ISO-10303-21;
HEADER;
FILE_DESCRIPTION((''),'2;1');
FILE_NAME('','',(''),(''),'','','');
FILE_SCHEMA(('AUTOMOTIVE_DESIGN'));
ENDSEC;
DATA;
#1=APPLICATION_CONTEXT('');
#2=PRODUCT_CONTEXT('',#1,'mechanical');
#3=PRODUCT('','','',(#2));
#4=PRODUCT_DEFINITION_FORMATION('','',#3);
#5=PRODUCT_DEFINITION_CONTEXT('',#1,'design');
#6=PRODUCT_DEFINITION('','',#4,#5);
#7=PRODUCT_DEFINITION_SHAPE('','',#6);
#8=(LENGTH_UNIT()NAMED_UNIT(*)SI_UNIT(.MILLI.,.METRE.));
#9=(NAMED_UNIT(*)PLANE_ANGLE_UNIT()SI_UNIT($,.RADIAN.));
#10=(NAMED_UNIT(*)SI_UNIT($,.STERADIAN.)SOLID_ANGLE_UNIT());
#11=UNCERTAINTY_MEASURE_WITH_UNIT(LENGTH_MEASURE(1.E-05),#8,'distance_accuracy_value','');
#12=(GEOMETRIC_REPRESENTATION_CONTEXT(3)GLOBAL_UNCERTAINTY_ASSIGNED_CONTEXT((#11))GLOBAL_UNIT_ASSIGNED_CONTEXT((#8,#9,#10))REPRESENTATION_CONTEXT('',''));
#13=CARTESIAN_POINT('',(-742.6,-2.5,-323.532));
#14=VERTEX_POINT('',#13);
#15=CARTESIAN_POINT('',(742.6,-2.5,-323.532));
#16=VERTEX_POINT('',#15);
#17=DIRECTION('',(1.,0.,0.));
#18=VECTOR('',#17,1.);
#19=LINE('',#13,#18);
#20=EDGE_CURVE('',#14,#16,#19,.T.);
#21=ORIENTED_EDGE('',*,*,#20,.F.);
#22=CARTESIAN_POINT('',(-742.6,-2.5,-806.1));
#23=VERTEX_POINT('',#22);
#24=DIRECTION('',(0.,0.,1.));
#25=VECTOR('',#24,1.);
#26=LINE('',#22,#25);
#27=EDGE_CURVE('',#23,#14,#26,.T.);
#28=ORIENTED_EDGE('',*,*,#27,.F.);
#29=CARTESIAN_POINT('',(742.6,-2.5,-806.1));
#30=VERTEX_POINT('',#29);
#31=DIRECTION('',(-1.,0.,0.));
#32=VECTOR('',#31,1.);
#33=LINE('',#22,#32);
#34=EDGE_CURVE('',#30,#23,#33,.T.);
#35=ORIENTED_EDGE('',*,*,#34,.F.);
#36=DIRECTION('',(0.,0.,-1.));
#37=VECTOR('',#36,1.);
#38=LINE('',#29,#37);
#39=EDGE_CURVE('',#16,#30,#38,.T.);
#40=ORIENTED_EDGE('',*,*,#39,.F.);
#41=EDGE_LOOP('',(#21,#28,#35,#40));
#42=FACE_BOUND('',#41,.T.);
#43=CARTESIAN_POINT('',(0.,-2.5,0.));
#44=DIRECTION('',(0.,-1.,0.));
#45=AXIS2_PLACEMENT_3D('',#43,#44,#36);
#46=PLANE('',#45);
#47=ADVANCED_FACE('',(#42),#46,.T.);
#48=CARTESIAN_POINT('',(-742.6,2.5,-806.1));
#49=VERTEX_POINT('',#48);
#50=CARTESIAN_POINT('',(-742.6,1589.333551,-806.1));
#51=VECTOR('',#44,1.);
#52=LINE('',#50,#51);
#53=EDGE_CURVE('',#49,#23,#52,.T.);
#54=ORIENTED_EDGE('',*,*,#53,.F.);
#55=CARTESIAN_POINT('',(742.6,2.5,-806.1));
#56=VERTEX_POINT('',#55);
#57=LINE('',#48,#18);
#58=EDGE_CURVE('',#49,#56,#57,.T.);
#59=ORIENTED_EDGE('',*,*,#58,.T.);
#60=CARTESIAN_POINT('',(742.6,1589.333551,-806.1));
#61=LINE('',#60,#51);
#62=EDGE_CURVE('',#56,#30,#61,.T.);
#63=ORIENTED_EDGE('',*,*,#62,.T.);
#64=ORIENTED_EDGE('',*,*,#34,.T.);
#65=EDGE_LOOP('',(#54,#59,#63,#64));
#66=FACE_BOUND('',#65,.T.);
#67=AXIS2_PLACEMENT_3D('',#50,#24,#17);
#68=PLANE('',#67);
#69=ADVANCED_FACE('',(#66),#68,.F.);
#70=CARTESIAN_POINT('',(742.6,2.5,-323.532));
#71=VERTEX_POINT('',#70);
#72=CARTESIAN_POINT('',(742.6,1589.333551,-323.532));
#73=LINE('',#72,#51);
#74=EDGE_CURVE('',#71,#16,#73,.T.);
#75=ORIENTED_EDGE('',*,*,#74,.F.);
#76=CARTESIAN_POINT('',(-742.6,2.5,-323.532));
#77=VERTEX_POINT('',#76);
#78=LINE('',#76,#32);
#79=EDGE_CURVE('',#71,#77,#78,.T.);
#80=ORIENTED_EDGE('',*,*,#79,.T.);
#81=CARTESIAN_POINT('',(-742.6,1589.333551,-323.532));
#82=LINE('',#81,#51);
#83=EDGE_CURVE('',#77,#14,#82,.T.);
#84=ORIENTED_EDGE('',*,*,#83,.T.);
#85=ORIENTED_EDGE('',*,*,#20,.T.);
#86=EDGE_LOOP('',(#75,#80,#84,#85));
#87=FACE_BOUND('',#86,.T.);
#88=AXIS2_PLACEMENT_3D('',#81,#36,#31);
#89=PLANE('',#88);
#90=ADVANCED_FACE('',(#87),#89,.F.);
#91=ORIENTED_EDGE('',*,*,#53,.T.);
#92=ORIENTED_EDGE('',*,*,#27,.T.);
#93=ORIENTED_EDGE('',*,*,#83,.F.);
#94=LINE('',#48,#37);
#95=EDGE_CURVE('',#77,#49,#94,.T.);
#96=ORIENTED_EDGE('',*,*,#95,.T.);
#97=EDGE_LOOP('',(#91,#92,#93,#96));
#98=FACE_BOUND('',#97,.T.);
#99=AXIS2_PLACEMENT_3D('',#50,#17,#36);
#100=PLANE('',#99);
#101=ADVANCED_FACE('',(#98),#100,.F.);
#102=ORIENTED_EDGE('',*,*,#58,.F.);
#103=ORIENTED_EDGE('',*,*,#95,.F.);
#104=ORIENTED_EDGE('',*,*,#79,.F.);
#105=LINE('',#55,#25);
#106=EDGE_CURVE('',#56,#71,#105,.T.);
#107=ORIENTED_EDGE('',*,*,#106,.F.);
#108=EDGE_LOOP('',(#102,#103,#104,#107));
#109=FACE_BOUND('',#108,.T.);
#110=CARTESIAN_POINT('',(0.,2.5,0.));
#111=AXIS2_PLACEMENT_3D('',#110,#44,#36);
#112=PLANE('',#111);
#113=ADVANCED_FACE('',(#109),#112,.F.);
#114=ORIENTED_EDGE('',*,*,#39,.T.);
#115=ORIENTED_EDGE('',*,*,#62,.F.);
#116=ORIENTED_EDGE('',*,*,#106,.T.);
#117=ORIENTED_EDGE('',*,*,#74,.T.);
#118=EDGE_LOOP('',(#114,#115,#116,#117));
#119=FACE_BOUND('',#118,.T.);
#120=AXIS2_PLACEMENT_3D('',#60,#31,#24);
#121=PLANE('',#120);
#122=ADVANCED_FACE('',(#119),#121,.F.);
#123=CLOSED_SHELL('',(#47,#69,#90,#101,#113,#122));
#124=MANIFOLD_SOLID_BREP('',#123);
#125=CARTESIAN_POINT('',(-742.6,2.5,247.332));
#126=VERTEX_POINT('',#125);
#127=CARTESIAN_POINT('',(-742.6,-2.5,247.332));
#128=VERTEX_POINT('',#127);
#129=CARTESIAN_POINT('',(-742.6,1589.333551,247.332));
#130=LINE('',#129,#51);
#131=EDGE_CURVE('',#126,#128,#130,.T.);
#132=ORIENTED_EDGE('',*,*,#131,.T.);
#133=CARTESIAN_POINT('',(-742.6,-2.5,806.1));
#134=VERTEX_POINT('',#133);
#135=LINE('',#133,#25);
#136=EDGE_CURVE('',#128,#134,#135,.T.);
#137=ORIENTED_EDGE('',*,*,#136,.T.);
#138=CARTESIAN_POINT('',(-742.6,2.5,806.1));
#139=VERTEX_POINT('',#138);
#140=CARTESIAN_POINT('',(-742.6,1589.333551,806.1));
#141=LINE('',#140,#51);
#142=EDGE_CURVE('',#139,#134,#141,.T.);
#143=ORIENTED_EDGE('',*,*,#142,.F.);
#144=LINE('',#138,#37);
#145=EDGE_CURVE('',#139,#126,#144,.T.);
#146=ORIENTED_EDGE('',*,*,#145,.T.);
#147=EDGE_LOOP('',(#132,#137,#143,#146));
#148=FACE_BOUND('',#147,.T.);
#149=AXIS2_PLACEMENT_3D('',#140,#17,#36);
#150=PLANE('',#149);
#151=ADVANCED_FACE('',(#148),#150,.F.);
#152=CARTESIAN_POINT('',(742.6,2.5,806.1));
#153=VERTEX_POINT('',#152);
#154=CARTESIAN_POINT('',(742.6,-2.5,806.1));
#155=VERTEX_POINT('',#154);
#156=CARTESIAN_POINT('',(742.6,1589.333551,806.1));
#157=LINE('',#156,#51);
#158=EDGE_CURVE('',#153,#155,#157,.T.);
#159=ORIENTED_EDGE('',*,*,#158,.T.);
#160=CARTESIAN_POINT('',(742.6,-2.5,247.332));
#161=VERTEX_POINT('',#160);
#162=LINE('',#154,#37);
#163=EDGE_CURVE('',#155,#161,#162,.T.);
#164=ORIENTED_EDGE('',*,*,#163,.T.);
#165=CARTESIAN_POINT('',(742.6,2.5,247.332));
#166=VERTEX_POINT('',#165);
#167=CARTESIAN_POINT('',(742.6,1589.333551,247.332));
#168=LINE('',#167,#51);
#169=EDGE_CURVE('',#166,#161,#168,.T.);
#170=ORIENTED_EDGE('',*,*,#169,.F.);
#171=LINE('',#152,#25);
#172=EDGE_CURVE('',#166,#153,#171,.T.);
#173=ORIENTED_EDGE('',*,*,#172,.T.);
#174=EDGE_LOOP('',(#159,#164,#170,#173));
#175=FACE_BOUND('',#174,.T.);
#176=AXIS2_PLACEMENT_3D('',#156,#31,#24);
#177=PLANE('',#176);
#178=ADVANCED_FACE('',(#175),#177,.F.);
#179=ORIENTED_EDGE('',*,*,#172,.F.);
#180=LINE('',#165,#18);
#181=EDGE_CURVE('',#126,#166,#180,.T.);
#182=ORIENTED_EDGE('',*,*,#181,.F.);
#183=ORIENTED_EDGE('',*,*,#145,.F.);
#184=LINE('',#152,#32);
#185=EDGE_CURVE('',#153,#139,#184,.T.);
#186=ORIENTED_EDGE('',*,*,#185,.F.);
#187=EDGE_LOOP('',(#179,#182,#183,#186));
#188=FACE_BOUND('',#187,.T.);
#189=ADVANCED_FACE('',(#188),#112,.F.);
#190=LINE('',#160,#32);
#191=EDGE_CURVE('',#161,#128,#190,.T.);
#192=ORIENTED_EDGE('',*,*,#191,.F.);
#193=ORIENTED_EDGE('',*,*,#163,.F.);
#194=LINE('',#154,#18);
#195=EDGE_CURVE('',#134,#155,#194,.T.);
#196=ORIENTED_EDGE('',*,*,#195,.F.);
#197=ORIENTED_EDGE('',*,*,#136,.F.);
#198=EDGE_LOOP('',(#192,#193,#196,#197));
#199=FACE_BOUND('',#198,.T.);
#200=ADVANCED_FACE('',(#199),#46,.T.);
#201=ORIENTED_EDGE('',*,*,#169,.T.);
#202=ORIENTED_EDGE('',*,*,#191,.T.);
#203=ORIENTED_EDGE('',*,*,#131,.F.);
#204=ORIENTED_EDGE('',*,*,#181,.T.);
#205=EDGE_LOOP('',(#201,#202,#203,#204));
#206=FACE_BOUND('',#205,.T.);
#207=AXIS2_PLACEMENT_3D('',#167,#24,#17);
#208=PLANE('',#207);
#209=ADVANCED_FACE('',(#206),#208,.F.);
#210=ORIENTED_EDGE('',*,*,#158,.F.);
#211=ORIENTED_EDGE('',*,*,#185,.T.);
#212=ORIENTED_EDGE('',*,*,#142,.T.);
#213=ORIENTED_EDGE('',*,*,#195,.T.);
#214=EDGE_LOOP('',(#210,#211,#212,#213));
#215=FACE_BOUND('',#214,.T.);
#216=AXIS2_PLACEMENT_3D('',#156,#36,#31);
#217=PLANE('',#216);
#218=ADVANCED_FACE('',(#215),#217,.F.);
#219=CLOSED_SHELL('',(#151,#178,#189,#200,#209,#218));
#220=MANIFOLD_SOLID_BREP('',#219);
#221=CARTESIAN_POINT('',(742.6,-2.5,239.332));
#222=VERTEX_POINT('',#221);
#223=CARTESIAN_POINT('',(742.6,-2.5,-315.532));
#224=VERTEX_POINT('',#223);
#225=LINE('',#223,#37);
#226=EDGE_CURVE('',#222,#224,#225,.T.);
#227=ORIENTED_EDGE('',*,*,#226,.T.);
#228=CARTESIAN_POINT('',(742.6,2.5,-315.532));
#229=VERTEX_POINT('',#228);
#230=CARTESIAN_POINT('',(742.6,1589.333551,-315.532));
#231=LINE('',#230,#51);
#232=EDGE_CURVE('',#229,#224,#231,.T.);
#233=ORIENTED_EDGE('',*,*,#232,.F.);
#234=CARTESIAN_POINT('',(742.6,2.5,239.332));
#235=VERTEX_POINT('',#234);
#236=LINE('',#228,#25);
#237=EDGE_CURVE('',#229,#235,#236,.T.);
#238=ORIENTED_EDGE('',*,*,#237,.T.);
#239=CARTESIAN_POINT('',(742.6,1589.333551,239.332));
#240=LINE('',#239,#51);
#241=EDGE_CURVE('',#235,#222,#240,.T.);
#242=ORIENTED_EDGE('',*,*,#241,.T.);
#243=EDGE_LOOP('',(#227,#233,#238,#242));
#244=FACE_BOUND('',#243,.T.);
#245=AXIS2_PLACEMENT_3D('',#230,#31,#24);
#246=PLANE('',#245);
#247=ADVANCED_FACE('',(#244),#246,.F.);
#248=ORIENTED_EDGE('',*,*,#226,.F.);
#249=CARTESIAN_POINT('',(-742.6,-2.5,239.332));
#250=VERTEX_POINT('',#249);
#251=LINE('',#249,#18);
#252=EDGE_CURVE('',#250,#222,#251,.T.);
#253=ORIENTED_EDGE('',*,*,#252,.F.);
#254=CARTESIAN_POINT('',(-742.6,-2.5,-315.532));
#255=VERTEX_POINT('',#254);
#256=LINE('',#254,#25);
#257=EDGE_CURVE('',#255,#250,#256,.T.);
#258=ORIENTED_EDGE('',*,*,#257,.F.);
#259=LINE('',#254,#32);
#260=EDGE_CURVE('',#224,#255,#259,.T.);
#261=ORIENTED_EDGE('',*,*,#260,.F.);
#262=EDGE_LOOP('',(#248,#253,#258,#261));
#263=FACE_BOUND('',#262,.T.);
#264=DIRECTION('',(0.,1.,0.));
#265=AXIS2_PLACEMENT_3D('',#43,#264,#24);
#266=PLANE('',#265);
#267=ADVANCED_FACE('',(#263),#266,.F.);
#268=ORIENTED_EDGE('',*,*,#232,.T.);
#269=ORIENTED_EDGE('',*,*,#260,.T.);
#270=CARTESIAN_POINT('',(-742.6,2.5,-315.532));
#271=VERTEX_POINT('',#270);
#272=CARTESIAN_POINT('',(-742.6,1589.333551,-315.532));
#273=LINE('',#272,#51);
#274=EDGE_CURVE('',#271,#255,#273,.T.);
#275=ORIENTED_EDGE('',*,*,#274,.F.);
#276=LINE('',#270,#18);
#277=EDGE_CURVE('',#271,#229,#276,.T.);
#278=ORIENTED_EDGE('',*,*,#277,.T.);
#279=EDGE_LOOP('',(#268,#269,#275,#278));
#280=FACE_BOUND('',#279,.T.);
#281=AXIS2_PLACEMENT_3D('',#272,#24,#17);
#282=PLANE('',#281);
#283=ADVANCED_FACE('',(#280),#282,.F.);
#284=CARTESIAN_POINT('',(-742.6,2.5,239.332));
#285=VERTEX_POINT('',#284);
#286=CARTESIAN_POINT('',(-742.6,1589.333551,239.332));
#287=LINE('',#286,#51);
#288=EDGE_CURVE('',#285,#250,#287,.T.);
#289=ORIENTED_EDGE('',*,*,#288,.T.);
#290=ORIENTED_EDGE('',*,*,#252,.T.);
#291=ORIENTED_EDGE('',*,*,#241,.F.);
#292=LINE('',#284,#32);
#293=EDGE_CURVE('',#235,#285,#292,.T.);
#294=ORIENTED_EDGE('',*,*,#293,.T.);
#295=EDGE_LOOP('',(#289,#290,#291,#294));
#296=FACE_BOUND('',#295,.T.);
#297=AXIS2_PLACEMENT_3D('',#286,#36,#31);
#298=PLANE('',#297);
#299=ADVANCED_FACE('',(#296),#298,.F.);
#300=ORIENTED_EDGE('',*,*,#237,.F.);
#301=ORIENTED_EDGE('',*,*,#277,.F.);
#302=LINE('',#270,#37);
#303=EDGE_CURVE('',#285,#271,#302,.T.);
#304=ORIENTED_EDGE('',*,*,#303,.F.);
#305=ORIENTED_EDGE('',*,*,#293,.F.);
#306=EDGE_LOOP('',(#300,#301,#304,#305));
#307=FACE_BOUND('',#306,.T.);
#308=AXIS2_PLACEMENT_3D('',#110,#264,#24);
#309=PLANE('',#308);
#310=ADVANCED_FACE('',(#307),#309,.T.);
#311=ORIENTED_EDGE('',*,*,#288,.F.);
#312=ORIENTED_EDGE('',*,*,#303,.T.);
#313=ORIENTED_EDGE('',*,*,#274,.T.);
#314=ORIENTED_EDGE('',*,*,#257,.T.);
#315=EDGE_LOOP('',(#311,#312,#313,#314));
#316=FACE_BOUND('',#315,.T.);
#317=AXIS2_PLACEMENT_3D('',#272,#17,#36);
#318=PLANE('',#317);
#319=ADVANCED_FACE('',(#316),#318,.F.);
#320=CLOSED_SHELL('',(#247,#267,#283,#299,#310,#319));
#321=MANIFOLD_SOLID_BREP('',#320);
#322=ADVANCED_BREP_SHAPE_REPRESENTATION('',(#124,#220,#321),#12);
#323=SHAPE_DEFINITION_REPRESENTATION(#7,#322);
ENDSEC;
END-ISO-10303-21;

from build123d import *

# Parameters (mm, degrees)
BOSS_EXTRUDE1_DEPTH             = 2.5
BOSS_EXTRUDE1_DEPTH_BACK        = 2.5
SKETCH1_W                       = 1473.2
SKETCH1_H                       = 470.568
BOSS_EXTRUDE1_2_DEPTH           = 2.5
BOSS_EXTRUDE1_2_DEPTH_BACK      = 2.5
SKETCH1_H_2                     = 546.768
BOSS_EXTRUDE1_3_DEPTH           = 2.5
BOSS_EXTRUDE1_3_DEPTH_BACK      = 2.5
SKETCH1_H_3                     = 542.864
BOSS_EXTRUDE2_REACH             = 1089.541
SKETCH2_W                       = 1485.2
SKETCH2_H                       = 482.568
SKETCH2_W_2                     = 1473.2
SKETCH2_H_2                     = 470.568
SKETCH2_H_3                     = 558.768
SKETCH2_H_4                     = 546.768
SKETCH2_H_5                     = 554.864
SKETCH2_H_6                     = 542.864
BOSS_EXTRUDE2_DIRECTION_2_REACH = 1089.541


with BuildPart() as part:
    # Sketch1 → Boss-Extrude1 (new, two sides: drawn at the far end of the back side and taken through both)
    with BuildSketch(Plane(origin=(0, 0, 0), x_dir=(1, 0, 0), z_dir=(0, 1, 0)).offset(-BOSS_EXTRUDE1_DEPTH_BACK)):
        with Locations((0, 564.816)):
            Rectangle(SKETCH1_W, SKETCH1_H)
    extrude(amount=BOSS_EXTRUDE1_DEPTH + BOSS_EXTRUDE1_DEPTH_BACK)

    # Boss-Extrude2: up to this face of the body (flat: up to its plane)
    boss_extrude2_end = Plane(part.part.faces().sort_by_distance((0, 2.5, -564.816))[0])
    # Sketch2 → Boss-Extrude2 (add, up to the picked face)
    with BuildSketch(Plane(origin=(0, 0, 0), x_dir=(1, 0, 0), z_dir=(0, 1, 0)), mode=Mode.PRIVATE) as boss_extrude2_sk1:
        with Locations((0, 564.816)):
            Rectangle(SKETCH2_W, SKETCH2_H)
        with Locations((0, 564.816)):
            Rectangle(SKETCH2_W_2, SKETCH2_H_2, mode=Mode.SUBTRACT)
    boss_extrude2_tool1 = split(extrude(boss_extrude2_sk1.sketch, amount=BOSS_EXTRUDE2_REACH, mode=Mode.PRIVATE), bisect_by=boss_extrude2_end, keep=Keep.BOTH, mode=Mode.PRIVATE)
    # Sketch2 → Boss-Extrude2 (add, up to the picked face)
    with BuildSketch(Plane(origin=(0, 0, 0), x_dir=(1, 0, 0), z_dir=(0, 1, 0)), mode=Mode.PRIVATE) as boss_extrude2_sk2:
        with Locations((0, -526.716)):
            Rectangle(SKETCH2_W, SKETCH2_H_3)
        with Locations((0, -526.716)):
            Rectangle(SKETCH2_W_2, SKETCH2_H_4, mode=Mode.SUBTRACT)
    boss_extrude2_tool2 = split(extrude(boss_extrude2_sk2.sketch, amount=BOSS_EXTRUDE2_REACH, mode=Mode.PRIVATE), bisect_by=boss_extrude2_end, keep=Keep.BOTH, mode=Mode.PRIVATE)
    # Sketch2 → Boss-Extrude2 (add, up to the picked face)
    with BuildSketch(Plane(origin=(0, 0, 0), x_dir=(1, 0, 0), z_dir=(0, 1, 0)), mode=Mode.PRIVATE) as boss_extrude2_sk3:
        with Locations((0, 38.1)):
            Rectangle(SKETCH2_W, SKETCH2_H_5)
        with Locations((0, 38.1)):
            Rectangle(SKETCH2_W_2, SKETCH2_H_6, mode=Mode.SUBTRACT)
    boss_extrude2_tool3 = split(extrude(boss_extrude2_sk3.sketch, amount=BOSS_EXTRUDE2_REACH, mode=Mode.PRIVATE), bisect_by=boss_extrude2_end, keep=Keep.BOTH, mode=Mode.PRIVATE)


with BuildPart() as body_2:
    # Sketch1 → Boss-Extrude1 2 (new, two sides: drawn at the far end of the back side and taken through both)
    with BuildSketch(Plane(origin=(0, 0, 0), x_dir=(1, 0, 0), z_dir=(0, 1, 0)).offset(-BOSS_EXTRUDE1_2_DEPTH_BACK)):
        with Locations((0, -526.716)):
            Rectangle(SKETCH1_W, SKETCH1_H_2)
    extrude(amount=BOSS_EXTRUDE1_2_DEPTH + BOSS_EXTRUDE1_2_DEPTH_BACK)


with BuildPart() as body_3:
    # Sketch1 → Boss-Extrude1 3 (new, two sides: drawn at the far end of the back side and taken through both)
    with BuildSketch(Plane(origin=(0, 0, 0), x_dir=(1, 0, 0), z_dir=(0, 1, 0)).offset(-BOSS_EXTRUDE1_3_DEPTH_BACK)):
        with Locations((0, 38.1)):
            Rectangle(SKETCH1_W, SKETCH1_H_3)
    extrude(amount=BOSS_EXTRUDE1_3_DEPTH + BOSS_EXTRUDE1_3_DEPTH_BACK)


with BuildPart() as part_1:
    add(part.part)

    add(body_2.part)  # Boss-Extrude2 merges body 2

    add(body_3.part)  # Boss-Extrude2 merges body 3
    add(boss_extrude2_tool1.solids().sort_by(Axis((0, 0, -804.538369), (0, 1, 0)))[0])
    add(boss_extrude2_tool2.solids().sort_by(Axis((0, 0, 804.513166), (0, 1, 0)))[0])
    add(boss_extrude2_tool3.solids().sort_by(Axis((0, 0, -313.946537), (0, 1, 0)))[0])

    # Boss-Extrude2 direction 2: up to this face of the body (flat: up to its plane)
    boss_extrude2_direction_2_end = Plane(part_1.part.faces().sort_by_distance((0, -2.5, -564.816))[0])
    # Sketch2 → Boss-Extrude2 direction 2 (add, up to the picked face)
    with BuildSketch(Plane(origin=(0, 0, 0), x_dir=(1, 0, 0), z_dir=(0, 1, 0)), mode=Mode.PRIVATE) as boss_extrude2_direction_2_sk1:
        with Locations((0, 564.816)):
            Rectangle(SKETCH2_W, SKETCH2_H)
        with Locations((0, 564.816)):
            Rectangle(SKETCH2_W_2, SKETCH2_H_2, mode=Mode.SUBTRACT)
    boss_extrude2_direction_2_tool1 = split(extrude(boss_extrude2_direction_2_sk1.sketch, amount=-BOSS_EXTRUDE2_DIRECTION_2_REACH, mode=Mode.PRIVATE), bisect_by=boss_extrude2_direction_2_end, keep=Keep.BOTH, mode=Mode.PRIVATE)
    # Sketch2 → Boss-Extrude2 direction 2 (add, up to the picked face)
    with BuildSketch(Plane(origin=(0, 0, 0), x_dir=(1, 0, 0), z_dir=(0, 1, 0)), mode=Mode.PRIVATE) as boss_extrude2_direction_2_sk2:
        with Locations((0, -526.716)):
            Rectangle(SKETCH2_W, SKETCH2_H_3)
        with Locations((0, -526.716)):
            Rectangle(SKETCH2_W_2, SKETCH2_H_4, mode=Mode.SUBTRACT)
    boss_extrude2_direction_2_tool2 = split(extrude(boss_extrude2_direction_2_sk2.sketch, amount=-BOSS_EXTRUDE2_DIRECTION_2_REACH, mode=Mode.PRIVATE), bisect_by=boss_extrude2_direction_2_end, keep=Keep.BOTH, mode=Mode.PRIVATE)
    # Sketch2 → Boss-Extrude2 direction 2 (add, up to the picked face)
    with BuildSketch(Plane(origin=(0, 0, 0), x_dir=(1, 0, 0), z_dir=(0, 1, 0)), mode=Mode.PRIVATE) as boss_extrude2_direction_2_sk3:
        with Locations((0, 38.1)):
            Rectangle(SKETCH2_W, SKETCH2_H_5)
        with Locations((0, 38.1)):
            Rectangle(SKETCH2_W_2, SKETCH2_H_6, mode=Mode.SUBTRACT)
    boss_extrude2_direction_2_tool3 = split(extrude(boss_extrude2_direction_2_sk3.sketch, amount=-BOSS_EXTRUDE2_DIRECTION_2_REACH, mode=Mode.PRIVATE), bisect_by=boss_extrude2_direction_2_end, keep=Keep.BOTH, mode=Mode.PRIVATE)
    add(boss_extrude2_direction_2_tool1.solids().sort_by(Axis((0, 0, -804.538369), (0, -1, 0)))[0])
    add(boss_extrude2_direction_2_tool2.solids().sort_by(Axis((0, 0, 804.513166), (0, -1, 0)))[0])
    add(boss_extrude2_direction_2_tool3.solids().sort_by(Axis((0, 0, -313.946537), (0, -1, 0)))[0])


solid = part_1.part
